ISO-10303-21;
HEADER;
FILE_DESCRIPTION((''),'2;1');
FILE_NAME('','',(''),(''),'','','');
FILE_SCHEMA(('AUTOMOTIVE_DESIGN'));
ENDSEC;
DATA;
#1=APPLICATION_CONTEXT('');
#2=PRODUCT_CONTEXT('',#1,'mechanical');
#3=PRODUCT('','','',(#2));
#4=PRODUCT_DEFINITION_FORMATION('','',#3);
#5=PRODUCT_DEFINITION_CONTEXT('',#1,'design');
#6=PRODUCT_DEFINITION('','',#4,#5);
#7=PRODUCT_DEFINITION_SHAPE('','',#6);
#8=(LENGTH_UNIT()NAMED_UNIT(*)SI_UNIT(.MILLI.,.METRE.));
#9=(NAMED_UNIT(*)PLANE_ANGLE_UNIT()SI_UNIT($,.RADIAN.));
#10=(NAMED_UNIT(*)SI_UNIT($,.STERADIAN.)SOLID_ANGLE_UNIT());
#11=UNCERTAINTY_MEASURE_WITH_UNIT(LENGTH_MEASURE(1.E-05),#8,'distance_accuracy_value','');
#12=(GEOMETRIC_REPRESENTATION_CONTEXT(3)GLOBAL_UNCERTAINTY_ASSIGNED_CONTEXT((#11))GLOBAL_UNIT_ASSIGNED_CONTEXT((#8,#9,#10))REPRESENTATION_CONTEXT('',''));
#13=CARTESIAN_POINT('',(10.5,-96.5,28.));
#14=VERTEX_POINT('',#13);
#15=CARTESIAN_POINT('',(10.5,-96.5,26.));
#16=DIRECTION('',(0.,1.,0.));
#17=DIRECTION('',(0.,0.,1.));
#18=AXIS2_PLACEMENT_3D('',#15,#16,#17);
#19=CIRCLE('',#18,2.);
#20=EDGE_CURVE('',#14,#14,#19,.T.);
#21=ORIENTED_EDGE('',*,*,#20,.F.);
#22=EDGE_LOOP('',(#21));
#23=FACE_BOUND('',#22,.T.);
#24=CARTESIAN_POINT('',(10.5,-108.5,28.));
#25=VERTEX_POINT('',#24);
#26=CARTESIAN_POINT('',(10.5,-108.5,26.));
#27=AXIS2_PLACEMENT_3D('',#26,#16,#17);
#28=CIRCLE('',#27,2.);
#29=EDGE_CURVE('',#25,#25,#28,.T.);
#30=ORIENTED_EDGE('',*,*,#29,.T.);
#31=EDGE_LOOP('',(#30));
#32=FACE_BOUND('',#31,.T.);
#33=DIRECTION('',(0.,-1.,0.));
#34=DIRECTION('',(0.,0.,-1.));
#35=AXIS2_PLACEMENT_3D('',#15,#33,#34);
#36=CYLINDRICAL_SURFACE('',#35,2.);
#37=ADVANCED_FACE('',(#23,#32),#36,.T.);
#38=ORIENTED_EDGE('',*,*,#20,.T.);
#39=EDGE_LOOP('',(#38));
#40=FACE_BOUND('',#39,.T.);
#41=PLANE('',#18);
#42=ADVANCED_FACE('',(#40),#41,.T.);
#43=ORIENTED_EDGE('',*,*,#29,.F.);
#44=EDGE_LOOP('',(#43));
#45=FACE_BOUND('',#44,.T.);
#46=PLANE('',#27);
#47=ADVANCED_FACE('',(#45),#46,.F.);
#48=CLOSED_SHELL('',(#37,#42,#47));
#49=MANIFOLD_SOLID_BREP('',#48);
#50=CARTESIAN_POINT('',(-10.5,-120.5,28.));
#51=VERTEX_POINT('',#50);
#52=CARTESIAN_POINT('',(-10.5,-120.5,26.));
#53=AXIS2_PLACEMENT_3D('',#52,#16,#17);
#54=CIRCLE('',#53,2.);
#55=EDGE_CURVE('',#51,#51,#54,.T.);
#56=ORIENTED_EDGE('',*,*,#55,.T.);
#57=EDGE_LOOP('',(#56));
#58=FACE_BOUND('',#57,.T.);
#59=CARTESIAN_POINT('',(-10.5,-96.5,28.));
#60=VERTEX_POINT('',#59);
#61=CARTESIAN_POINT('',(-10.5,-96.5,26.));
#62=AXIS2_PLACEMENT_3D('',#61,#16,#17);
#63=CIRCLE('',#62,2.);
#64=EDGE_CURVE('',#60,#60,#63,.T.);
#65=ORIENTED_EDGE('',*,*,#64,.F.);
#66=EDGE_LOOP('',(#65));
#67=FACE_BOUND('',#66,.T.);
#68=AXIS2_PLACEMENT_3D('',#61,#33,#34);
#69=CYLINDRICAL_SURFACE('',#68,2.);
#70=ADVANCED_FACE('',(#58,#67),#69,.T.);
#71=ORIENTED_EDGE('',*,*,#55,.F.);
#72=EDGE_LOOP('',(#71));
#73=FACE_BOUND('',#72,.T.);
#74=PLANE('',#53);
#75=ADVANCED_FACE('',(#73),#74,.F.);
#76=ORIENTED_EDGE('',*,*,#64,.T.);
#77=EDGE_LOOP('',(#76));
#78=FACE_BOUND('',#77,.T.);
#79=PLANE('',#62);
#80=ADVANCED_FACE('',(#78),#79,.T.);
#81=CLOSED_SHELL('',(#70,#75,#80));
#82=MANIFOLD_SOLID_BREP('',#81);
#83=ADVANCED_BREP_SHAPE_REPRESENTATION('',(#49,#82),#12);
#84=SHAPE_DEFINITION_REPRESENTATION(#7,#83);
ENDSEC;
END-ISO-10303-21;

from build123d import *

# Parameters (mm, degrees)
SKETCH1_R           = 2
BOSS_EXTRUDE1_DEPTH = 24
SKETCH2_R           = 2
BOSS_EXTRUDE2_DEPTH = 12


with BuildPart() as part:
    # Sketch1 → Boss-Extrude1 (new body)
    with BuildSketch(Plane(origin=(0, -120.5, 0), x_dir=(1, 0, 0), z_dir=(0, 1, 0))):
        with Locations(Location((-10.5, -26, 0), (0, 0, 270))):
            Circle(SKETCH1_R)
    extrude(amount=BOSS_EXTRUDE1_DEPTH)


with BuildPart() as body_2:
    # Sketch2 → Boss-Extrude2 (new body)
    with BuildSketch(Plane(origin=(0, -108.5, 0), x_dir=(1, 0, 0), z_dir=(0, 1, 0))):
        with Locations(Location((10.5, -26, 0), (0, 0, 270))):
            Circle(SKETCH2_R)
    extrude(amount=BOSS_EXTRUDE2_DEPTH)


solid = Compound([part.part, body_2.part])
